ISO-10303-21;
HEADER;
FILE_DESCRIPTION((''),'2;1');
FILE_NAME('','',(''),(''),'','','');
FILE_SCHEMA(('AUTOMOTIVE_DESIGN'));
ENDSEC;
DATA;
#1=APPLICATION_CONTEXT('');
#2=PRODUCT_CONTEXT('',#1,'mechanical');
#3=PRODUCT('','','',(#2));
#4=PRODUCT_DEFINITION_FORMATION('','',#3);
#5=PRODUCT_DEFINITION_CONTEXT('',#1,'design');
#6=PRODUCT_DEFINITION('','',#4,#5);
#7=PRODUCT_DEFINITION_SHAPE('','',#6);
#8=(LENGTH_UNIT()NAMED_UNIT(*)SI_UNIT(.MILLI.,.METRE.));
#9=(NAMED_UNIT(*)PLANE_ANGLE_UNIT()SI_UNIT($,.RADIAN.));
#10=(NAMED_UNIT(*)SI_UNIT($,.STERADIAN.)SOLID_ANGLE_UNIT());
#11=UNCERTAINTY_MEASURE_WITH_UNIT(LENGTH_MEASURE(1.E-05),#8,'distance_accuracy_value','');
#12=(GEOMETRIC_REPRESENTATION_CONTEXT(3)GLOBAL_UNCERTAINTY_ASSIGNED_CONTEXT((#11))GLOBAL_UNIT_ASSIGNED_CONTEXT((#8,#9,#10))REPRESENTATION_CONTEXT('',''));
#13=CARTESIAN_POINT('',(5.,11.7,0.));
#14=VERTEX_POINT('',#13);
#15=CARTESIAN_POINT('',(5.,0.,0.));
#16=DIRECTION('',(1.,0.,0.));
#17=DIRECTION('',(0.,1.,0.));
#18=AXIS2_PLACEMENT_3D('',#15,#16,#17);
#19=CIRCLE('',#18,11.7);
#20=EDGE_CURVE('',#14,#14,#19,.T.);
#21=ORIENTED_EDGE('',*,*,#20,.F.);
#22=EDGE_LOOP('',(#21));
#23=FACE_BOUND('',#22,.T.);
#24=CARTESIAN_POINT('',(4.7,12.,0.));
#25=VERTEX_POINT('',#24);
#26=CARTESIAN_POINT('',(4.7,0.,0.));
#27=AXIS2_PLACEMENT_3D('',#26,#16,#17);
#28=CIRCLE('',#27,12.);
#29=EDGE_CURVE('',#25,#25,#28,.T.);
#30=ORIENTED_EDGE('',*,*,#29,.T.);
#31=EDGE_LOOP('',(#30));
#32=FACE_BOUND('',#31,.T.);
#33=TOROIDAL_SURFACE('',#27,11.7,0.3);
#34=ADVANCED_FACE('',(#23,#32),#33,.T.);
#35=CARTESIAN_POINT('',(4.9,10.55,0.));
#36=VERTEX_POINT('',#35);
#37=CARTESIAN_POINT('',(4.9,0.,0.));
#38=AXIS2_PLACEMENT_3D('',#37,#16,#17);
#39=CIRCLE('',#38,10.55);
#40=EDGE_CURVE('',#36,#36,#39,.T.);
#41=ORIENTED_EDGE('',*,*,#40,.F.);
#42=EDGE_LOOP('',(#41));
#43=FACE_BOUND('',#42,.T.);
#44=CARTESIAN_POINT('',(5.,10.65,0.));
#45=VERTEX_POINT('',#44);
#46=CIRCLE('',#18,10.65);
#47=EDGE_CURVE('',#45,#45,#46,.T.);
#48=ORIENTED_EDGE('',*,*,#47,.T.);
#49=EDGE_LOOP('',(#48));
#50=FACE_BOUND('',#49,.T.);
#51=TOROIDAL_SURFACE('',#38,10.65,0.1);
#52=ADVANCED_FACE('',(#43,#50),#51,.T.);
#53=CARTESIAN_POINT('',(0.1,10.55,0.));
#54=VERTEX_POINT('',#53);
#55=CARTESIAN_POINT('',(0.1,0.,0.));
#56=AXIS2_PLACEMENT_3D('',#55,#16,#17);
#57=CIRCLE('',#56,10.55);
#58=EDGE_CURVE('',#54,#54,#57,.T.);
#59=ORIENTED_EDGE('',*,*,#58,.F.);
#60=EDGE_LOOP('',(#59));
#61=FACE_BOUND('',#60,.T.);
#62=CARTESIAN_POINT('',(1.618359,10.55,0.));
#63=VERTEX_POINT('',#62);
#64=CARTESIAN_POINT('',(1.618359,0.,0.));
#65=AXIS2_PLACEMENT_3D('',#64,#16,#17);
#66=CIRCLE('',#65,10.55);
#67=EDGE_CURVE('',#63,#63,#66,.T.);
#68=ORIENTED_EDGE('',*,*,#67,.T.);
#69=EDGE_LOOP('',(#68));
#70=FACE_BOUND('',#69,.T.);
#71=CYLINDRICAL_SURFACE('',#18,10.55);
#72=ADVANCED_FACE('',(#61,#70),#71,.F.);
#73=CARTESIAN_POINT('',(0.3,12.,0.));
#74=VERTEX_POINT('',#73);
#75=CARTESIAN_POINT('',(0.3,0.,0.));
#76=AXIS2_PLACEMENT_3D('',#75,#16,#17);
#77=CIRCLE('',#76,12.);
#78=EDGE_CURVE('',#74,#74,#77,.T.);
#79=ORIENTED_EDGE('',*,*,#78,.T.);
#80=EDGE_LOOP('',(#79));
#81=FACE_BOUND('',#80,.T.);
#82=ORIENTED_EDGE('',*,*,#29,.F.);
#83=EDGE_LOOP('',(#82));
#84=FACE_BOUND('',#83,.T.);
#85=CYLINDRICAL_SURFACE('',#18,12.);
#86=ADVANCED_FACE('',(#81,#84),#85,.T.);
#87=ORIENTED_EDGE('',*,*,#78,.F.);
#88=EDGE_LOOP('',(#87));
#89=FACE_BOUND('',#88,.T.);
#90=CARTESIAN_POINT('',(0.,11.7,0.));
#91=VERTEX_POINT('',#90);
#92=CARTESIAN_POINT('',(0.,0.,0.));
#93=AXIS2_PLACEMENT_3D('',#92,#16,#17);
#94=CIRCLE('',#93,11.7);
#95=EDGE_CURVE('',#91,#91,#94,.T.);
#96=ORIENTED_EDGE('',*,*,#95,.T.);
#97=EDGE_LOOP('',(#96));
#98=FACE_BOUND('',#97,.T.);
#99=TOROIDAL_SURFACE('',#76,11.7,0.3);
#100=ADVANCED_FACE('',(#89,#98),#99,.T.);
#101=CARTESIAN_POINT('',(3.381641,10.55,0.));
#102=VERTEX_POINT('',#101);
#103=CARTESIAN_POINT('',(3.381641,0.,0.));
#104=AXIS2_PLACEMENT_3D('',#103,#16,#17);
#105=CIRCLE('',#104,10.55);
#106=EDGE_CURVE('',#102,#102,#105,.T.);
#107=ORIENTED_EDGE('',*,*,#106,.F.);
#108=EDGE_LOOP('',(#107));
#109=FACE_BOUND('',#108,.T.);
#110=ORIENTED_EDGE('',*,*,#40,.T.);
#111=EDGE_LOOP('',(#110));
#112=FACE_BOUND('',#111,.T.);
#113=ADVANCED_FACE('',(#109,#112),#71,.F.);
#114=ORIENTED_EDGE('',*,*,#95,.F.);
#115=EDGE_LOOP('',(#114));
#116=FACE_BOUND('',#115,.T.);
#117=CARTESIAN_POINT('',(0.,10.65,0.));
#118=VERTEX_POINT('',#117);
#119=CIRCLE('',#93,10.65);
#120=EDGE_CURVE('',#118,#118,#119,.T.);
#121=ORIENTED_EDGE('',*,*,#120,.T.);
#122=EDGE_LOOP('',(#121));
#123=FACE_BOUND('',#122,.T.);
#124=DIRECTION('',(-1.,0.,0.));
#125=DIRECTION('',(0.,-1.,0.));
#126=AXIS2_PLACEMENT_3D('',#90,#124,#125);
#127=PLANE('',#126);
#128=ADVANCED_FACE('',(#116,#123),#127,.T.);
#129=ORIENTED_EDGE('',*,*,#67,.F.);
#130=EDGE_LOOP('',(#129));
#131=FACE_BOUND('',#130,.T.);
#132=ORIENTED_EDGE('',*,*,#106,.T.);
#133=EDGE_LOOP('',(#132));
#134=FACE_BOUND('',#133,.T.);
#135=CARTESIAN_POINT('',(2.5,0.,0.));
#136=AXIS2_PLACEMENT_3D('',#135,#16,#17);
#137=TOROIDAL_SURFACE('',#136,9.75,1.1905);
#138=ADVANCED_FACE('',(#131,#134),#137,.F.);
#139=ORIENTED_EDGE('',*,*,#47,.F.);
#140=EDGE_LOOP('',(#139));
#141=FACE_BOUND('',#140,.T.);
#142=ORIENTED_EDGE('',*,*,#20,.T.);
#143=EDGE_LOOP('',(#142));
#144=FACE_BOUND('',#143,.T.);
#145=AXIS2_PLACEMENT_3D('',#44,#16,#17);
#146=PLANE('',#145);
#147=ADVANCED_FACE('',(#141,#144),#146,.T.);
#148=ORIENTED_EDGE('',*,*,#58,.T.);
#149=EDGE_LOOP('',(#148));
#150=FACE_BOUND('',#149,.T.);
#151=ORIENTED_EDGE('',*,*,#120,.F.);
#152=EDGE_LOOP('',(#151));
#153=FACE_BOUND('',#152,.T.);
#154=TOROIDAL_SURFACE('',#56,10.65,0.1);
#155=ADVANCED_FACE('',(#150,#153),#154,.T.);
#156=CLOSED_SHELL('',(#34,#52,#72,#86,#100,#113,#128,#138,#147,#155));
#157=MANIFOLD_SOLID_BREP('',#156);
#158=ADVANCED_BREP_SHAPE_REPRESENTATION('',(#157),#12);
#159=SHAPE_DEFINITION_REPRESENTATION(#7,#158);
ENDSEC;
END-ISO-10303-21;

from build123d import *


with BuildPart() as part:
    # Sketch1 → Revolve1 (revolve)
    with BuildSketch(Plane.XY):
        with BuildLine():
            Line((0, 11.7), (0, 10.65))
            ThreePointArc((0, 10.65), (0.029289322, 10.579289322), (0.1, 10.55))
            Line((0.1, 10.55), (1.618359342, 10.55))
            ThreePointArc((1.618359342, 10.55), (2.5, 10.9405), (3.381640658, 10.55))
            Line((3.381640658, 10.55), (4.9, 10.55))
            ThreePointArc((4.9, 10.55), (4.970710678, 10.579289322), (5, 10.65))
            Line((5, 10.65), (5, 11.7))
            ThreePointArc((5, 11.7), (4.912132034, 11.912132034), (4.7, 12))
            Line((4.7, 12), (0.3, 12))
            ThreePointArc((0.3, 12), (0.087867966, 11.912132034), (0, 11.7))
        make_face()
    revolve(axis=Axis((5, 0, 0), (-1, 0, 0)))


solid = part.part
